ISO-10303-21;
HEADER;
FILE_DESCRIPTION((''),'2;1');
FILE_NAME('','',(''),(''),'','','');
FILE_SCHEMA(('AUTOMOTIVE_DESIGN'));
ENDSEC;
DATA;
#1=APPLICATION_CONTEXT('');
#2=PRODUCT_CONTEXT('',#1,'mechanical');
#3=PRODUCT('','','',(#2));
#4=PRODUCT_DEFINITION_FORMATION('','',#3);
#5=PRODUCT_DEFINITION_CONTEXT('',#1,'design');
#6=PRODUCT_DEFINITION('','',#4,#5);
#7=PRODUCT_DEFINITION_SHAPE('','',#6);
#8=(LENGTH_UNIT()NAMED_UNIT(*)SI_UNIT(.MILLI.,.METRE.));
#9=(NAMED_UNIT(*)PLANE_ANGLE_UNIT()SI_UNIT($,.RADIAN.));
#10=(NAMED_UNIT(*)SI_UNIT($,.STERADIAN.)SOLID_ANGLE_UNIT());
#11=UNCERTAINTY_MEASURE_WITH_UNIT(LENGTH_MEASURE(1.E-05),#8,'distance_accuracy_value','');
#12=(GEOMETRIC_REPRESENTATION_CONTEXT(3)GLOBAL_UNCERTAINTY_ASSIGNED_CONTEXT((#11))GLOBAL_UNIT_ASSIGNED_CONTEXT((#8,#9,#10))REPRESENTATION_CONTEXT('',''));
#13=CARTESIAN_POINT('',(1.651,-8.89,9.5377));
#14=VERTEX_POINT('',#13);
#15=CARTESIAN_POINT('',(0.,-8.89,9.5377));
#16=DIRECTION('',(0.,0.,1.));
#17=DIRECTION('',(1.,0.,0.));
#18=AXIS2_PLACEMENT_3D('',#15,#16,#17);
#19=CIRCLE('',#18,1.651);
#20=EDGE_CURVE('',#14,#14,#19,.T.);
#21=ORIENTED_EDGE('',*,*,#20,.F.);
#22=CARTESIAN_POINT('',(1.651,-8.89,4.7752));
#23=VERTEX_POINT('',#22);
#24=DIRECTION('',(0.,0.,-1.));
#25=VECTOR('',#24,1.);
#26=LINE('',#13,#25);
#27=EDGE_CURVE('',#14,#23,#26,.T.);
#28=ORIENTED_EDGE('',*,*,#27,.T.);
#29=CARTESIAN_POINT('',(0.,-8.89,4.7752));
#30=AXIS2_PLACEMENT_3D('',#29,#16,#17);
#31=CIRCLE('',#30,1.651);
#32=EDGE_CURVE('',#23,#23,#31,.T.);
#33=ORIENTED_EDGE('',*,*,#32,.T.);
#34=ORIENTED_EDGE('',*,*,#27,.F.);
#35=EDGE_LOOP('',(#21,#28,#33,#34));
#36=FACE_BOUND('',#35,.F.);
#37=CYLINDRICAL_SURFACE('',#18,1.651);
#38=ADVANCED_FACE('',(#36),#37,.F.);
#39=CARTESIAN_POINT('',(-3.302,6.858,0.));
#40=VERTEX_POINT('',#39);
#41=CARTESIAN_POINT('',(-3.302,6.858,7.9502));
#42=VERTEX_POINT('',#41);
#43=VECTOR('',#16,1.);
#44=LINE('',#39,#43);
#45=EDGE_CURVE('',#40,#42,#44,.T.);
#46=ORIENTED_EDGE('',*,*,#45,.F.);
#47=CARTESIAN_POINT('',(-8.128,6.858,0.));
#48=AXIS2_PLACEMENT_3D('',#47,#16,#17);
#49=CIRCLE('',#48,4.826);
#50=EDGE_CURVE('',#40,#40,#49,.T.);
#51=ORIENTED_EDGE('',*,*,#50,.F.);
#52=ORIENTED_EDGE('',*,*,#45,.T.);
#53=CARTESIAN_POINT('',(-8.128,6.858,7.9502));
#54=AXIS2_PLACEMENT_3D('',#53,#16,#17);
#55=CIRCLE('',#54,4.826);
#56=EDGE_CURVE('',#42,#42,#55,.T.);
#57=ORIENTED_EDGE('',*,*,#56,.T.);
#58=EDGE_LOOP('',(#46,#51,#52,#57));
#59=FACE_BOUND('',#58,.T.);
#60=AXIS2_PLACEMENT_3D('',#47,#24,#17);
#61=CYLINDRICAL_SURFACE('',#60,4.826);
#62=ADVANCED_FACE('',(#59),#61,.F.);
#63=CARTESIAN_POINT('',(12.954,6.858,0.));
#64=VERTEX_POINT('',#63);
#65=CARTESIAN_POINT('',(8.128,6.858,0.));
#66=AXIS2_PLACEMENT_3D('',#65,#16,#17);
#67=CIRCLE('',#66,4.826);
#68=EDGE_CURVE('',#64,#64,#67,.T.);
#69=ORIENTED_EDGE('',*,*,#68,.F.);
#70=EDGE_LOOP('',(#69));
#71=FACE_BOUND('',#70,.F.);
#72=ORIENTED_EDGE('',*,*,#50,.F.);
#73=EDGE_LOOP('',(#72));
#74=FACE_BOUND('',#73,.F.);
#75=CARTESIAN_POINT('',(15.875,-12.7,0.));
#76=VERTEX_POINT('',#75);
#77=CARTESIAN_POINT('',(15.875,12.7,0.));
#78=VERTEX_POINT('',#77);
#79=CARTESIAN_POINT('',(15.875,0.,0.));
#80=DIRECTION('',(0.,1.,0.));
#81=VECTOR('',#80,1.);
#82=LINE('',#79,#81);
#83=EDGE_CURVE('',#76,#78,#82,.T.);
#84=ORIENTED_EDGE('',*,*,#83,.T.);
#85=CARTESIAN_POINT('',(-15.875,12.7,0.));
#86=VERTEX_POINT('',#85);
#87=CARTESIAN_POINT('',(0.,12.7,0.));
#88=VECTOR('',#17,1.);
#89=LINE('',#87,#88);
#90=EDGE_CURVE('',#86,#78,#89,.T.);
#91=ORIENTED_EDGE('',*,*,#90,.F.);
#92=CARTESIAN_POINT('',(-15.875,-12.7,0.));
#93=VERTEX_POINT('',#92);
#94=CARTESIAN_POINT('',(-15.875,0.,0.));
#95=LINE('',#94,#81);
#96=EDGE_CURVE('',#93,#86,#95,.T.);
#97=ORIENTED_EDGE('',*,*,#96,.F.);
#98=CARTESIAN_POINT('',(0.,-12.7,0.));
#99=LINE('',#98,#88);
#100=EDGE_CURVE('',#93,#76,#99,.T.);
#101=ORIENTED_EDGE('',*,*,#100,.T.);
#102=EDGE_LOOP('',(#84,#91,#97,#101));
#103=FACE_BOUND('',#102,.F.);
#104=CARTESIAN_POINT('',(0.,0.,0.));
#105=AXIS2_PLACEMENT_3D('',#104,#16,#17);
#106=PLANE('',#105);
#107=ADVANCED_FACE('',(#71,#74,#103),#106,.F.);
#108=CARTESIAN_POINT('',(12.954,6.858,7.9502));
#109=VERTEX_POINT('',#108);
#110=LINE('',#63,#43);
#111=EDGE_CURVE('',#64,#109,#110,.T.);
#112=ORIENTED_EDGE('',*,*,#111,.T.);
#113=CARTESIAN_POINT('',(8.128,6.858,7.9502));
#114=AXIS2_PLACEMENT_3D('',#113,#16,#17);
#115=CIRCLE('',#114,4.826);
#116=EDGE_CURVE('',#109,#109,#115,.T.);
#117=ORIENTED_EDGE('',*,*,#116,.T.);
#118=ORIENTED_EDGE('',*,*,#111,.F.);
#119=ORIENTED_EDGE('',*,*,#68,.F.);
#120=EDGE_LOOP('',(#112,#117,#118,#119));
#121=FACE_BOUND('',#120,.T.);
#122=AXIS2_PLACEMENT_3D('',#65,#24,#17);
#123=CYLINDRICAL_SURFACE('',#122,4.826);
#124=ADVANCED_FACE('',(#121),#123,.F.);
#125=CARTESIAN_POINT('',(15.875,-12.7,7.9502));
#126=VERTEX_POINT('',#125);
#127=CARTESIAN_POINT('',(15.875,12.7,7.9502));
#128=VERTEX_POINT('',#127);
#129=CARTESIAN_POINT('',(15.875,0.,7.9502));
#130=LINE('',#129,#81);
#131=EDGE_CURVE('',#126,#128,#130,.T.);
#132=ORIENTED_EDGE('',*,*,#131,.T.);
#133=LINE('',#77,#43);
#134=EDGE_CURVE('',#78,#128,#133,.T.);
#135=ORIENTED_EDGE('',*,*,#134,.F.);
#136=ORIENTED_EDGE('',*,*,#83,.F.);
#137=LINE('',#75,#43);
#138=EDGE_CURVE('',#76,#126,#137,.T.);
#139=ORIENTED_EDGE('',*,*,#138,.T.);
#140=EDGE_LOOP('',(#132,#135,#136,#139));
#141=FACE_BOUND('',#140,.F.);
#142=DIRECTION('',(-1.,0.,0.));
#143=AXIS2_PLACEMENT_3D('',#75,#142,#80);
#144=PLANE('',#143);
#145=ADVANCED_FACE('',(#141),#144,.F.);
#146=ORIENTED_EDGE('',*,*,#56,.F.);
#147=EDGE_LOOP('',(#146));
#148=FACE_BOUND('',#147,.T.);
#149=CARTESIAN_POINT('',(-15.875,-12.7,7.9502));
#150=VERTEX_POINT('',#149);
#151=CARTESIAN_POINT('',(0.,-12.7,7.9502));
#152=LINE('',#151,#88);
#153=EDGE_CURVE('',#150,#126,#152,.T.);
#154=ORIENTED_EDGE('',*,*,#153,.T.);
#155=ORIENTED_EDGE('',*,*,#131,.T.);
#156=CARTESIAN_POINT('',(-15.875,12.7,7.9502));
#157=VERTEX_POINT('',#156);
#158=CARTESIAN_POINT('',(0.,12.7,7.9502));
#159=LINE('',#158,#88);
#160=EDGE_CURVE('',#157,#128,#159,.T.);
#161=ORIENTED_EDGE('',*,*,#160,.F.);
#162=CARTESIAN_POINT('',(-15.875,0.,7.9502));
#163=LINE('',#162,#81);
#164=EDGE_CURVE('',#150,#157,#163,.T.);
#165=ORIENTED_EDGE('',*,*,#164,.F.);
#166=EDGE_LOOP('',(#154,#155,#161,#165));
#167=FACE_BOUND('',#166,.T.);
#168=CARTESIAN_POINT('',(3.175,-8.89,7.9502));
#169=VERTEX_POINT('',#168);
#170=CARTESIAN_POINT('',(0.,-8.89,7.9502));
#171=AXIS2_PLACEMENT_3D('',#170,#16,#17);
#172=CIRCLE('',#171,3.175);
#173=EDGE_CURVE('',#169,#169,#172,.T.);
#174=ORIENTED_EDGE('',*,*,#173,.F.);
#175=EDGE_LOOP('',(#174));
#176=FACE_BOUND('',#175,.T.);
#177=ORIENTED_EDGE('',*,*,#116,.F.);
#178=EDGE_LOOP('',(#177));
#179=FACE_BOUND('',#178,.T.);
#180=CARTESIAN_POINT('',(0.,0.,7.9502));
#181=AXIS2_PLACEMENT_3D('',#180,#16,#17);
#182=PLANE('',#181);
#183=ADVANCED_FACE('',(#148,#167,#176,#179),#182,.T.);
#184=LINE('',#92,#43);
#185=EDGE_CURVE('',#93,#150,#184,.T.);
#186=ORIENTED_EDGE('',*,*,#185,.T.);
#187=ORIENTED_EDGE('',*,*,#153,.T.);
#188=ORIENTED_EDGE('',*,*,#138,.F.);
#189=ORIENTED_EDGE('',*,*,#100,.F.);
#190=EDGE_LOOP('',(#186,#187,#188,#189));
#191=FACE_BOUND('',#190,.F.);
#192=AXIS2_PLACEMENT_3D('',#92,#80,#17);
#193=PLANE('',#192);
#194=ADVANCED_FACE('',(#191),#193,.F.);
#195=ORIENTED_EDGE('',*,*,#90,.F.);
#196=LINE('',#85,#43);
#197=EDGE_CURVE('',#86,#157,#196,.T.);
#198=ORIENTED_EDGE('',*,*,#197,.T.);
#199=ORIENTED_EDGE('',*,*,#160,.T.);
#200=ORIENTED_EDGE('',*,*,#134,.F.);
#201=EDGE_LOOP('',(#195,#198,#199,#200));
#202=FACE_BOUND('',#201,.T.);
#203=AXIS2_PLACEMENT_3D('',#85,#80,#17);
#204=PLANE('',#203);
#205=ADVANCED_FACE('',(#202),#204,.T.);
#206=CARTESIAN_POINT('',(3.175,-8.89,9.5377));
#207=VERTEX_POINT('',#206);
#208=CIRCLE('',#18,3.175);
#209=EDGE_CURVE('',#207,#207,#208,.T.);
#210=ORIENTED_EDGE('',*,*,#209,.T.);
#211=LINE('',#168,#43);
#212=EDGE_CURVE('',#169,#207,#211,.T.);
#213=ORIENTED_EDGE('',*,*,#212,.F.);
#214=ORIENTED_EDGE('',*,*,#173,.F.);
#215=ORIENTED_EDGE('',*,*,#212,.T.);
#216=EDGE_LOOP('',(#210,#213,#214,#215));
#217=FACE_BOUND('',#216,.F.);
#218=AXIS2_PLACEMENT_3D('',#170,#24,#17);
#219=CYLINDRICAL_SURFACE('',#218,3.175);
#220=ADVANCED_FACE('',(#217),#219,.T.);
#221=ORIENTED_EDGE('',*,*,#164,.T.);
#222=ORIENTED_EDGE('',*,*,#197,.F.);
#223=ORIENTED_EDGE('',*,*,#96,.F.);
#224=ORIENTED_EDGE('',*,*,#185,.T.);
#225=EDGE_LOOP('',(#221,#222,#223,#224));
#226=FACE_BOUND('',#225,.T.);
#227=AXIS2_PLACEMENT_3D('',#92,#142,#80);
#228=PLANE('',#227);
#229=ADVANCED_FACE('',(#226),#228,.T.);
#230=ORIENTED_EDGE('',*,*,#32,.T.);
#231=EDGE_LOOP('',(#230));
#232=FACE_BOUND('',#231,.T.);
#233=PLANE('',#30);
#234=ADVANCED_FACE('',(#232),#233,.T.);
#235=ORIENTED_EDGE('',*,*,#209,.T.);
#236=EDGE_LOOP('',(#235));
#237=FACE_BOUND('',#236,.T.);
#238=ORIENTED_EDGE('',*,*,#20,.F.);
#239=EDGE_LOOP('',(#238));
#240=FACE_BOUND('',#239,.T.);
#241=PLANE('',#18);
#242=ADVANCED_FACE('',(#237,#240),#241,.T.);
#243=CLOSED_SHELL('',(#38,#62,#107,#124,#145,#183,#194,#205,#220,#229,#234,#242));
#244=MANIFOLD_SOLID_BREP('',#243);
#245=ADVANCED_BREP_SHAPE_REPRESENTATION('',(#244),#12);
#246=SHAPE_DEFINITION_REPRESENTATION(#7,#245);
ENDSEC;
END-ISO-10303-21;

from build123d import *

# Parameters (mm, degrees)
F0_W     = 31.75
F0_H     = 25.4
F0_R     = 4.826
F1_DEPTH = 7.9502
F2_R     = 3.175
F3_DEPTH = 1.5875
F4_R     = 1.651
F5_DEPTH = 4.7625


with BuildPart() as f1:
    # F0 (on Top) → F1 (new body)
    with BuildSketch(Plane.XY):
        Rectangle(F0_W, F0_H)
        with Locations((-8.128, 6.858)):
            Circle(F0_R, mode=Mode.SUBTRACT)
        with Locations((8.128, 6.858)):
            Circle(F0_R, mode=Mode.SUBTRACT)
    extrude(amount=F1_DEPTH)

    # F2 (on face) → F3 (join)
    with BuildSketch(Plane.XY.offset(7.9502)):
        with Locations((0, -8.89)):
            Circle(F2_R)
    extrude(amount=F3_DEPTH)

    # F4 (on face) → F5 (cut)
    with BuildSketch(Plane.XY.offset(9.5377)):
        with Locations((0, -8.89)):
            Circle(F4_R)
    extrude(amount=-F5_DEPTH, mode=Mode.SUBTRACT)


solid = f1.part
